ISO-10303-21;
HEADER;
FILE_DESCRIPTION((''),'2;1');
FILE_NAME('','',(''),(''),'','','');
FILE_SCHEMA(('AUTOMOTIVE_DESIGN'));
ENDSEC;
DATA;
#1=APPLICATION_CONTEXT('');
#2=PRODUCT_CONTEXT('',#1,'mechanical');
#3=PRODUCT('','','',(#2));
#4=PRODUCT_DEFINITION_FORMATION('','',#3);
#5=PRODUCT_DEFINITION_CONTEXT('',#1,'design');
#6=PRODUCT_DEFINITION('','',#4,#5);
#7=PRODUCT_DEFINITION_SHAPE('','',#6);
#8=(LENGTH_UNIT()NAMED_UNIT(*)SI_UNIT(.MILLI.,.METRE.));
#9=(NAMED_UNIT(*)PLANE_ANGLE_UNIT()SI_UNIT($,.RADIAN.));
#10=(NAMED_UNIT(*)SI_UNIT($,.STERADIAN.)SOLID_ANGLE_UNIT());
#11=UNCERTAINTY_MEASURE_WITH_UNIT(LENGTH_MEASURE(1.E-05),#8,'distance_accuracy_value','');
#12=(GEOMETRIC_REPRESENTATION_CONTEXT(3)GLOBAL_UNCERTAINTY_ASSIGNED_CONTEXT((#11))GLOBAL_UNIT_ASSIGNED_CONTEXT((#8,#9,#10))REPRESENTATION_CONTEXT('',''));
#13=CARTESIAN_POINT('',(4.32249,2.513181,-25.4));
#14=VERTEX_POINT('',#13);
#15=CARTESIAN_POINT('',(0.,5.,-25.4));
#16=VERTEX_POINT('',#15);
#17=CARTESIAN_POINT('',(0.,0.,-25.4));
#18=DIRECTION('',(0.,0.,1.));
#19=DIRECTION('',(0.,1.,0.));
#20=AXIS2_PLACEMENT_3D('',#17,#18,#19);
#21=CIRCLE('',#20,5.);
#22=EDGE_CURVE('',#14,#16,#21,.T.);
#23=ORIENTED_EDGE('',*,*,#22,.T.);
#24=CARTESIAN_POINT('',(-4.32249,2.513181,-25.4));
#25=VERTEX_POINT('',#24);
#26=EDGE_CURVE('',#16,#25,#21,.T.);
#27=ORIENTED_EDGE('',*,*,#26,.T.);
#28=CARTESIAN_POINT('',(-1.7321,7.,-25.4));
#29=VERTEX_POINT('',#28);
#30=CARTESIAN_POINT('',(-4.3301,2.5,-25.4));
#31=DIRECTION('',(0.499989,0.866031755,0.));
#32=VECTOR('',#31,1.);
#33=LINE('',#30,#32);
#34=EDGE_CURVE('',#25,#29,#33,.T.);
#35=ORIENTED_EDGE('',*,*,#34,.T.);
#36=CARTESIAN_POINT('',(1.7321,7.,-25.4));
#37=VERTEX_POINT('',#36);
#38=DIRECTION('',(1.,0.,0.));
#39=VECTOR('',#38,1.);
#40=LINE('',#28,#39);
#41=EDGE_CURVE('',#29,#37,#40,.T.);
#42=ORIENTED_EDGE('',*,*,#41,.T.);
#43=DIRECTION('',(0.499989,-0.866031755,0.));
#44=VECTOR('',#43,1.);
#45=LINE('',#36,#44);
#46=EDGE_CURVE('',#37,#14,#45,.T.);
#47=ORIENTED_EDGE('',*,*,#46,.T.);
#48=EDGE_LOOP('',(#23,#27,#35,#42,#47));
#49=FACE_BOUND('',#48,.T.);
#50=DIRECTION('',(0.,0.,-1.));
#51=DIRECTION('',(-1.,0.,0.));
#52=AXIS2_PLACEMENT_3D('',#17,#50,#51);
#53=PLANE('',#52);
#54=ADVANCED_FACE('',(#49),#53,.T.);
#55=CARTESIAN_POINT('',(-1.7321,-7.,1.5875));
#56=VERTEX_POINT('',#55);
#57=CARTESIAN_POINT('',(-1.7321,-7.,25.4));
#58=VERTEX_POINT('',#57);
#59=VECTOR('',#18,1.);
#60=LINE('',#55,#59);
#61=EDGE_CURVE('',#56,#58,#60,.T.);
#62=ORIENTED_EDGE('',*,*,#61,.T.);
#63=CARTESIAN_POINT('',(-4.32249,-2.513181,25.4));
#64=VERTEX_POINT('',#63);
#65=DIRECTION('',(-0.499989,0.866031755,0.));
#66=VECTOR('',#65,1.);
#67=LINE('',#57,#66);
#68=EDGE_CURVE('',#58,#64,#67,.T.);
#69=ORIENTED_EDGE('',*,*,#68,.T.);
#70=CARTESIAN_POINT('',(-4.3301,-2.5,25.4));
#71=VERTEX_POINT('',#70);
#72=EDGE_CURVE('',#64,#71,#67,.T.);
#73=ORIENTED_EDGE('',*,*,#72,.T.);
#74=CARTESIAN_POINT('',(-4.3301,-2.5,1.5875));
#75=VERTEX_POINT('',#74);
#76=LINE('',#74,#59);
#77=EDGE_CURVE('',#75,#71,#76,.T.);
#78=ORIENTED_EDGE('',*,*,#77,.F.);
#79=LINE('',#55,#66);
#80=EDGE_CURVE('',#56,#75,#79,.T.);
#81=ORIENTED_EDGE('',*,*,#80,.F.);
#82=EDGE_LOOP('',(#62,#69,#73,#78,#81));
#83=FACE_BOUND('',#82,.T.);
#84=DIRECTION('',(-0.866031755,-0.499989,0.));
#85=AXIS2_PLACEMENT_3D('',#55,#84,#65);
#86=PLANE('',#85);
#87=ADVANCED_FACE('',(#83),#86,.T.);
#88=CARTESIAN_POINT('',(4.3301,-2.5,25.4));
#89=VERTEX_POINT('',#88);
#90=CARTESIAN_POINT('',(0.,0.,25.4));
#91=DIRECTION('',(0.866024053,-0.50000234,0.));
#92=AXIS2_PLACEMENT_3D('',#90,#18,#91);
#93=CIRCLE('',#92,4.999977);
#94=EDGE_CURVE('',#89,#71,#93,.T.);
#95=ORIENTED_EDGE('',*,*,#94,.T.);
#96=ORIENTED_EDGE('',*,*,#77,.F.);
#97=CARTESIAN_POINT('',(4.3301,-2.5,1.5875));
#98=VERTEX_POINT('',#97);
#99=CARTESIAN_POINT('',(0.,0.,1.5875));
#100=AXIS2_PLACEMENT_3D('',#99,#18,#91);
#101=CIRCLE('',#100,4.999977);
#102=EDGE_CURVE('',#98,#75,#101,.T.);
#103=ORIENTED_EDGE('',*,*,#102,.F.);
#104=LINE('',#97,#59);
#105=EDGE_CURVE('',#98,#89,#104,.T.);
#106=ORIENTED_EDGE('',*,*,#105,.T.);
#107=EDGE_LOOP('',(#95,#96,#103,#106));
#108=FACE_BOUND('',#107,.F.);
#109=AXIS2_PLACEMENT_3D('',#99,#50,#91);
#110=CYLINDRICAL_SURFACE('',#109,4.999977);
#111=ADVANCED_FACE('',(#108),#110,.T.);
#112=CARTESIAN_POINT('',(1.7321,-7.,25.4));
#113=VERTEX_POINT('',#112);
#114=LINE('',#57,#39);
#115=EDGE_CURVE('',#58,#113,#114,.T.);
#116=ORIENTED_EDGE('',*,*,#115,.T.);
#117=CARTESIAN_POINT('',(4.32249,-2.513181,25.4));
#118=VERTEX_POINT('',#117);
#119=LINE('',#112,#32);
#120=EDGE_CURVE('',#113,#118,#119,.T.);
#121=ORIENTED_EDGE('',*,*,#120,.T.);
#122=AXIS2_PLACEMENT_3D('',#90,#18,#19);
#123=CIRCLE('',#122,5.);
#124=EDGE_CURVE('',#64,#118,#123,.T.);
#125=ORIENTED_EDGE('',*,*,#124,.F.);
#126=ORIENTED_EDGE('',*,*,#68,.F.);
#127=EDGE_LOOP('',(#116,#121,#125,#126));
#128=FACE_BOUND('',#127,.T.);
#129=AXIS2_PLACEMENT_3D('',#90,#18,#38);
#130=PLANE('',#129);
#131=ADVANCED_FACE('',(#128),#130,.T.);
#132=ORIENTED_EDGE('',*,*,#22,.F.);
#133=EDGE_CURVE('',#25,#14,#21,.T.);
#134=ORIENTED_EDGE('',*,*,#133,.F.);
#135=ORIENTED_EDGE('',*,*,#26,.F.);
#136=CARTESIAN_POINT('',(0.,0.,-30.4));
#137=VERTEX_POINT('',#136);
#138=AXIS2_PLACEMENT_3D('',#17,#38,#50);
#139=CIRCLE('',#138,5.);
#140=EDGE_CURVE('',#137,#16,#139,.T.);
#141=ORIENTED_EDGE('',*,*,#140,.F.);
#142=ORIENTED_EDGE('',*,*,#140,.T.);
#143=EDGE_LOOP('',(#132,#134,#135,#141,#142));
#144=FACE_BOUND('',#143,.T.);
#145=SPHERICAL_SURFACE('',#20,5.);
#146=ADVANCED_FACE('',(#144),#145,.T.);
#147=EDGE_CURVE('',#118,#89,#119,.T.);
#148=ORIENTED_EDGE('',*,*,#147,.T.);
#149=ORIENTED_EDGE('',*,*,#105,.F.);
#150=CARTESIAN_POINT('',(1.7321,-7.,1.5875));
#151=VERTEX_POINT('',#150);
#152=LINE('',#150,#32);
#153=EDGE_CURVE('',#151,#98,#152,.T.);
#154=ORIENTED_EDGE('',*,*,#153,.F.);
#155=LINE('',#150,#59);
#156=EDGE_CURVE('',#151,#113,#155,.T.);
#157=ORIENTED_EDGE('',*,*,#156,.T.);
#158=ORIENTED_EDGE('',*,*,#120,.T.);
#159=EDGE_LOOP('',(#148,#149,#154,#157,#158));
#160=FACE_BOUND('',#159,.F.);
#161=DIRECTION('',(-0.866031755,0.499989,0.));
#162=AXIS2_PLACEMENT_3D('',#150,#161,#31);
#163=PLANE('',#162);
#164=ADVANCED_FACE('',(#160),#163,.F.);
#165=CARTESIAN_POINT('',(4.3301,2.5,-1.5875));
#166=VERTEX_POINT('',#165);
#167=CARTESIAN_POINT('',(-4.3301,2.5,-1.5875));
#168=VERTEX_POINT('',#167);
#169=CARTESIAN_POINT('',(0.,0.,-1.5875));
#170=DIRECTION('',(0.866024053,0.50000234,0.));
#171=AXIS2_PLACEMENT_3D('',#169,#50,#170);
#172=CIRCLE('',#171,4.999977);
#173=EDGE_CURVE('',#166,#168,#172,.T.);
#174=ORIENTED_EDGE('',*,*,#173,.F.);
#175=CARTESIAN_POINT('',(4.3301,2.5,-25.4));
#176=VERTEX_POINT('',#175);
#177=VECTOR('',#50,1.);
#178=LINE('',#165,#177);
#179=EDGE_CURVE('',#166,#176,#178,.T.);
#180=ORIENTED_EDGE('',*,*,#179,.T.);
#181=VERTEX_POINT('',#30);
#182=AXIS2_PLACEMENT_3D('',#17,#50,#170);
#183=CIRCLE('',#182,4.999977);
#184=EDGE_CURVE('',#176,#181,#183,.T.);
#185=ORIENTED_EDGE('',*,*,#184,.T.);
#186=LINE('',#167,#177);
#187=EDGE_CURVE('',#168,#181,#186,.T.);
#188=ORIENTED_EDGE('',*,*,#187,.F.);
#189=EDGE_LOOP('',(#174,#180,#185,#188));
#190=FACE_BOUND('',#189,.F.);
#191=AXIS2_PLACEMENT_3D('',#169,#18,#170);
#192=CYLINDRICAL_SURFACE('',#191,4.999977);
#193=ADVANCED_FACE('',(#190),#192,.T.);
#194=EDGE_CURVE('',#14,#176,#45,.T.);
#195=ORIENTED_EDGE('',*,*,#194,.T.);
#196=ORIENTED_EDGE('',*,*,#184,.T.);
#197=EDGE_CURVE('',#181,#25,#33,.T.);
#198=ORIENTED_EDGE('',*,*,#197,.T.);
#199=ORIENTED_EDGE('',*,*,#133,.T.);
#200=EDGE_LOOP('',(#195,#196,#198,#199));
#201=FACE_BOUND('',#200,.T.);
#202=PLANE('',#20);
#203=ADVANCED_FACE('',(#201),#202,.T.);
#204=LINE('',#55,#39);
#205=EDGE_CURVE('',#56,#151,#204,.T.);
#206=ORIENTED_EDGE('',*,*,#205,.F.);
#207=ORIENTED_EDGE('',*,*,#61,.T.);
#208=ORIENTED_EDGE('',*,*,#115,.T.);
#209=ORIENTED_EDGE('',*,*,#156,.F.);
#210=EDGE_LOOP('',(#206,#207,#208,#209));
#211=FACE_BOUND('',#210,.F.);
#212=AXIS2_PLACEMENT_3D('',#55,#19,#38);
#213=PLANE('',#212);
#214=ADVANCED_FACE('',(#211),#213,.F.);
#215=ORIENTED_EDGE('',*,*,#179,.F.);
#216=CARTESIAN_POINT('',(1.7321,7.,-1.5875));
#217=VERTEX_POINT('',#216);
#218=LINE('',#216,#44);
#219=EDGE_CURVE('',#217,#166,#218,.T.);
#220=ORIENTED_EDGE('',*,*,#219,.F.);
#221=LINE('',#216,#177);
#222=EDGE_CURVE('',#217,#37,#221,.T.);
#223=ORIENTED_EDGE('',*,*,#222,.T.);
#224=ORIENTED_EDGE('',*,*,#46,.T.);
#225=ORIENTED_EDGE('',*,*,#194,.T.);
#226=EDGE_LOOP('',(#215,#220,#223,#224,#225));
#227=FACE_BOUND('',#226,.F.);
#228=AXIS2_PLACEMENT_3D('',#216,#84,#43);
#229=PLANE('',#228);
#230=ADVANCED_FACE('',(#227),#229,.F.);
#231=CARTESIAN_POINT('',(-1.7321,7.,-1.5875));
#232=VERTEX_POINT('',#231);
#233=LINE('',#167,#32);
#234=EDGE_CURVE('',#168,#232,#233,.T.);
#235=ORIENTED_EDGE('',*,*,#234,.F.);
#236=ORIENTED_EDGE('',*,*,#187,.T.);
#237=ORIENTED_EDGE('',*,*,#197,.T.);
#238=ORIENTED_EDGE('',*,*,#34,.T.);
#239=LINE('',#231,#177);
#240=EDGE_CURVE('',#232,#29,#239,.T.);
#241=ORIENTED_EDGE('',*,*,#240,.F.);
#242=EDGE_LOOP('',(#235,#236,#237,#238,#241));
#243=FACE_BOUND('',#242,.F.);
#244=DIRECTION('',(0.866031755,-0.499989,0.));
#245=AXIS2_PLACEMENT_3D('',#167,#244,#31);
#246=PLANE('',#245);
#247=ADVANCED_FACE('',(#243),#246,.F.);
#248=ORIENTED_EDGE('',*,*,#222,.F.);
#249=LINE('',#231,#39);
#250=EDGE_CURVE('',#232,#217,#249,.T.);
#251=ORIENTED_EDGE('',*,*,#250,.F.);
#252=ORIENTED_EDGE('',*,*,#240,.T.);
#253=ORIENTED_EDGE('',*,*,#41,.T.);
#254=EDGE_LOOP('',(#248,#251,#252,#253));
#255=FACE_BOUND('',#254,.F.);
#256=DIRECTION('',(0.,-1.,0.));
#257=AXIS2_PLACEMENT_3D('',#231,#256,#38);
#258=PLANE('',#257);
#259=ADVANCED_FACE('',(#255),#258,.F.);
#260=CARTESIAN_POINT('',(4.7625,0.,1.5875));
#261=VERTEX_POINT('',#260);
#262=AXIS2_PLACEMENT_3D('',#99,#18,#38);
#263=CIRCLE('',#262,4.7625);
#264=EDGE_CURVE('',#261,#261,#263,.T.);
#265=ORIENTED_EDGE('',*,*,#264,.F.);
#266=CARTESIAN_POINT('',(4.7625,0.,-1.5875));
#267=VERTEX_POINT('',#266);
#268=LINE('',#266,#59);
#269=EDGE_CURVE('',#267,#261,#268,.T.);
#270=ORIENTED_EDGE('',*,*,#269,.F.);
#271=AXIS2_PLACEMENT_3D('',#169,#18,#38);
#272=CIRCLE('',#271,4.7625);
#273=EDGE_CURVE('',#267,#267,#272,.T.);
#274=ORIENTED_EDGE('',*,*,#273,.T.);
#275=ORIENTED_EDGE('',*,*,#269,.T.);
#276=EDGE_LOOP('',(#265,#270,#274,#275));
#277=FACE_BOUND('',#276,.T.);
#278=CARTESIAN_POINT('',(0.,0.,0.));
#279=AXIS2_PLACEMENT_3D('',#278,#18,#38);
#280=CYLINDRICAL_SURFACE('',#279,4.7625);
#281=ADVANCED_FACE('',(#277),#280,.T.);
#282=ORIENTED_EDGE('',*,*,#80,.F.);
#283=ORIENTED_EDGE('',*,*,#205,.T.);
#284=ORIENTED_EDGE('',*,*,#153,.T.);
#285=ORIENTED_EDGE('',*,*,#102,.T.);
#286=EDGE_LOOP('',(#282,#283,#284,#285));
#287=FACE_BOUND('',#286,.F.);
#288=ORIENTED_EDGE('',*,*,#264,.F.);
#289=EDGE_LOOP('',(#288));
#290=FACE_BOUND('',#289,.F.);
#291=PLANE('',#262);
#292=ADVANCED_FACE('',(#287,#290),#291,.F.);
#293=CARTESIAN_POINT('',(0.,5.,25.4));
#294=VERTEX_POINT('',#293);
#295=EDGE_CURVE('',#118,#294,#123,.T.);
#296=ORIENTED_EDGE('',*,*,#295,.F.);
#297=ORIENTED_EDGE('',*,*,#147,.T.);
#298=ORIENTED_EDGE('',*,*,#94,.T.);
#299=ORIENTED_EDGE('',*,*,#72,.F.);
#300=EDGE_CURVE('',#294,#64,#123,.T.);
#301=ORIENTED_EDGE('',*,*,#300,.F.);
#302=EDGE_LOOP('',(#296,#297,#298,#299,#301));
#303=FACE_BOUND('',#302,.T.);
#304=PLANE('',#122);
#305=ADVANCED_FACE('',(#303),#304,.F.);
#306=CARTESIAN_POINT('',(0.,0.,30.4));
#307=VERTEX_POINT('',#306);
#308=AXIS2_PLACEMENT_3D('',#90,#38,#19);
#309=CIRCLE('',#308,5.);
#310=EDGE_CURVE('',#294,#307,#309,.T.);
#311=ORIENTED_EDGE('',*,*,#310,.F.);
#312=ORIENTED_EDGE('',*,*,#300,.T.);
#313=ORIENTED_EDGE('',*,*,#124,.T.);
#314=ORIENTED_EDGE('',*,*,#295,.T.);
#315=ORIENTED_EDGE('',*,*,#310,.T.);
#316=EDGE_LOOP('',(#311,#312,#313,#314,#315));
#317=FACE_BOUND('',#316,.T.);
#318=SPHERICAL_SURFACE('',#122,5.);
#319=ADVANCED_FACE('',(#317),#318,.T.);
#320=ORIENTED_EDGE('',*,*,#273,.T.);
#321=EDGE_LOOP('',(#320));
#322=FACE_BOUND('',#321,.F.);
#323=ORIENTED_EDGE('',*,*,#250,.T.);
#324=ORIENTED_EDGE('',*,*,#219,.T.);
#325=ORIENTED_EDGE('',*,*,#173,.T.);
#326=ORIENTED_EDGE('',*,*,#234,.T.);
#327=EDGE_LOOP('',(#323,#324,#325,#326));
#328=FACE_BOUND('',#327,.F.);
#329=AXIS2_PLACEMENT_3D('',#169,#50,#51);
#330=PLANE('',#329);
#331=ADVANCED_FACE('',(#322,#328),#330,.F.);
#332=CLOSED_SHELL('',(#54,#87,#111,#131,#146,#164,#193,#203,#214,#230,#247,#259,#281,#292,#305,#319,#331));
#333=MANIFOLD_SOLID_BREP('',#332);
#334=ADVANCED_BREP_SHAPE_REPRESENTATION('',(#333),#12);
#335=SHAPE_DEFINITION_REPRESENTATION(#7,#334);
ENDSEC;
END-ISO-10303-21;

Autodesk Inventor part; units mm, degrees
ref_plane "YZ Plane" through (0, 0, 0) normal (1, 0, 0) x (0, 1, 0)
ref_plane "XZ Plane" through (0, 0, 0) normal (0, 1, 0) x (-1, 0, 0)
ref_plane "XY Plane" through (0, 0, 0) normal (0, 0, 1) x (1, 0, 0)
sketch "Sketch1" plane through (0, 0, 0) normal (0, 0, 1) x (1, 0, 0)
  circle A0 centre (0, 0) radius 4.7625
  dimension "d0" = 9.525
extrude "Extrusion1" add sketch "Sketch1" along normal mid plane 3.175
sketch "Sketch2" plane through (0, 0, 1.5875) normal (0, 0, 1) x (1, 0, 0)
  circle A0 centre (0, 0) radius 4.7625 construction
  line L0 (-1.7321, -7) -> (1.7321, -7)
  line L1 (1.7321, -7) -> (4.3301, -2.5)
  line L2 (-1.7321, -7) -> (-4.3301, -2.5)
  arc A1 (4.3301, -2.5) -> (-4.3301, -2.5) centre (0, 0) ccw
  dimension "d4" = 60
  dimension "d10" = 12
  dimension "d12" = 10
extrude "Extrusion2" add sketch "Sketch2" along normal blind 23.8125
sketch "Sketch3" plane through (0, 0, -1.5875) normal (0, 0, -1) x (-1, 0, 0)
  circle A0 centre (0, 0) radius 4.7625 construction
  line L0 (4.3301, 2.5) -> (1.7321, 7)
  line L1 (1.7321, 7) -> (-1.7321, 7)
  line L2 (-1.7321, 7) -> (-4.3301, 2.5)
  arc A1 (-4.3301, 2.5) -> (4.3301, 2.5) centre (0, 0) ccw
  line L3 (4.3301, -2.5) -> (1.7321, -7) construction
  line L4 (1.7321, -7) -> (-1.7321, -7) construction
  dimension "d13" = 10
extrude "Extrusion3" add sketch "Sketch3" along normal blind 23.8125
sketch "Sketch4" plane through (0, 0, 0) normal (1, 0, 0) x (0, 1, 0)
  line L0 (5, 25.4) -> (-2.5, 25.4) construction
  line L1 (-5, -25.4) -> (2.5, -25.4) construction
  line L2 (0, -44.0097) -> (0, 44.0097) construction
  line L3 (0, 25.4) -> (5, 25.4)
  line L4 (0, 25.4) -> (0, 30.4)
  arc A0 (5, 25.4) -> (0, 30.4) centre (0, 25.4) ccw
  line L5 (5, -25.4) -> (0, -25.4)
  line L6 (0, -25.4) -> (0, -30.4)
  arc A1 (0, -30.4) -> (5, -25.4) centre (0, -25.4) ccw
  point P0 (0, 0)
revolve "Revolution1" add sketch "Sketch4" angle 360 about axis through (0, 0, -10) along (0, 0, 1)
equation "\"d7\" = d5"
equation "\"d5\" = 23.8125"
properties part number "Weld-on hinge #218-109" material "Stainless Steel"
